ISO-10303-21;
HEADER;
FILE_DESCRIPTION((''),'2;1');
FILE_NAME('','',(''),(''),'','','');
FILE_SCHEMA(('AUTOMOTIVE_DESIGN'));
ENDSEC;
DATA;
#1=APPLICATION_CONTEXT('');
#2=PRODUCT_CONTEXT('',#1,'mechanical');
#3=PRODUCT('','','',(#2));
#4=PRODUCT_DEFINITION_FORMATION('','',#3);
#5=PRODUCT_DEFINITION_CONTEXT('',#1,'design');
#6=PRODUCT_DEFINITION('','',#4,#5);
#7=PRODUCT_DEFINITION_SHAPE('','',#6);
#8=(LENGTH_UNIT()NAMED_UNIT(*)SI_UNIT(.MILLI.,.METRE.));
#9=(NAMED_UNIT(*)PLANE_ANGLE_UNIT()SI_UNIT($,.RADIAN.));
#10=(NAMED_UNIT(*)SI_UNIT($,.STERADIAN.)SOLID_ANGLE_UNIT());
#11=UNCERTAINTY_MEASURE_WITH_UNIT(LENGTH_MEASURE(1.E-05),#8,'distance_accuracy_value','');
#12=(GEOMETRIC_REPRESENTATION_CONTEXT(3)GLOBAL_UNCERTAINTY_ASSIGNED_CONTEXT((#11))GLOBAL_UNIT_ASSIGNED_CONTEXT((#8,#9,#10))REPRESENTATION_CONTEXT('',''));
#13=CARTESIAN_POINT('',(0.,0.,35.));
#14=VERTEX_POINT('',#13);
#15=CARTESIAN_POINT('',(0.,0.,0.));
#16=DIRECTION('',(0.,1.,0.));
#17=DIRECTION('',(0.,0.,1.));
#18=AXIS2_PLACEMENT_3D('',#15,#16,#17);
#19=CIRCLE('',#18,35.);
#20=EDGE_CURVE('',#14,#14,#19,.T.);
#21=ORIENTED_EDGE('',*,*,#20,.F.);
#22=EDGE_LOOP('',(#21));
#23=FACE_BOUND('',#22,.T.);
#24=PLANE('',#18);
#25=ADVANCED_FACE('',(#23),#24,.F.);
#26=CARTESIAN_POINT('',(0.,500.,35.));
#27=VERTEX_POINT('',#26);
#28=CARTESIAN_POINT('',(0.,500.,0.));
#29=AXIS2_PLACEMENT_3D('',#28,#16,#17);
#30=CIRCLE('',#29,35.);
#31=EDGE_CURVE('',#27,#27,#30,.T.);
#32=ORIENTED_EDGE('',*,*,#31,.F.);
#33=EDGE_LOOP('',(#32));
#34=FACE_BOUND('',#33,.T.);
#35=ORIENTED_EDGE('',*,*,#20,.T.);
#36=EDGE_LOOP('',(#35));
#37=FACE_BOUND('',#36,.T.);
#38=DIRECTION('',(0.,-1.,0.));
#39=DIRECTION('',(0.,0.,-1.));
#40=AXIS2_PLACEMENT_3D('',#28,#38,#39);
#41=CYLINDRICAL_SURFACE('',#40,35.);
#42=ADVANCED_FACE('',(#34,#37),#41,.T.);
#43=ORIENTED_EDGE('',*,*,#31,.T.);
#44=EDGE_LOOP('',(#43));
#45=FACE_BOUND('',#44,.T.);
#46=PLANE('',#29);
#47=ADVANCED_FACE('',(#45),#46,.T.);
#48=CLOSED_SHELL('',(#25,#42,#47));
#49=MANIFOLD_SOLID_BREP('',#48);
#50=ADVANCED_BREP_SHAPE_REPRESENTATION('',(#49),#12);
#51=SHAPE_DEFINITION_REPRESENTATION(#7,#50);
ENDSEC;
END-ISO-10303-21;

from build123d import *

# Parameters (mm, degrees)
SZKIC2_R                    = 35
DODANIE_WYCI_GNI_CIE1_DEPTH = 500


with BuildPart() as part:
    # Szkic2 → Dodanie-wyciągnięcie1 (new body)
    with BuildSketch(Plane(origin=(0, 0, 0), x_dir=(1, 0, 0), z_dir=(0, 1, 0))):
        with Locations(Location((0, 0, 0), (0, 0, 270))):
            Circle(SZKIC2_R)
    extrude(amount=DODANIE_WYCI_GNI_CIE1_DEPTH)


solid = part.part
